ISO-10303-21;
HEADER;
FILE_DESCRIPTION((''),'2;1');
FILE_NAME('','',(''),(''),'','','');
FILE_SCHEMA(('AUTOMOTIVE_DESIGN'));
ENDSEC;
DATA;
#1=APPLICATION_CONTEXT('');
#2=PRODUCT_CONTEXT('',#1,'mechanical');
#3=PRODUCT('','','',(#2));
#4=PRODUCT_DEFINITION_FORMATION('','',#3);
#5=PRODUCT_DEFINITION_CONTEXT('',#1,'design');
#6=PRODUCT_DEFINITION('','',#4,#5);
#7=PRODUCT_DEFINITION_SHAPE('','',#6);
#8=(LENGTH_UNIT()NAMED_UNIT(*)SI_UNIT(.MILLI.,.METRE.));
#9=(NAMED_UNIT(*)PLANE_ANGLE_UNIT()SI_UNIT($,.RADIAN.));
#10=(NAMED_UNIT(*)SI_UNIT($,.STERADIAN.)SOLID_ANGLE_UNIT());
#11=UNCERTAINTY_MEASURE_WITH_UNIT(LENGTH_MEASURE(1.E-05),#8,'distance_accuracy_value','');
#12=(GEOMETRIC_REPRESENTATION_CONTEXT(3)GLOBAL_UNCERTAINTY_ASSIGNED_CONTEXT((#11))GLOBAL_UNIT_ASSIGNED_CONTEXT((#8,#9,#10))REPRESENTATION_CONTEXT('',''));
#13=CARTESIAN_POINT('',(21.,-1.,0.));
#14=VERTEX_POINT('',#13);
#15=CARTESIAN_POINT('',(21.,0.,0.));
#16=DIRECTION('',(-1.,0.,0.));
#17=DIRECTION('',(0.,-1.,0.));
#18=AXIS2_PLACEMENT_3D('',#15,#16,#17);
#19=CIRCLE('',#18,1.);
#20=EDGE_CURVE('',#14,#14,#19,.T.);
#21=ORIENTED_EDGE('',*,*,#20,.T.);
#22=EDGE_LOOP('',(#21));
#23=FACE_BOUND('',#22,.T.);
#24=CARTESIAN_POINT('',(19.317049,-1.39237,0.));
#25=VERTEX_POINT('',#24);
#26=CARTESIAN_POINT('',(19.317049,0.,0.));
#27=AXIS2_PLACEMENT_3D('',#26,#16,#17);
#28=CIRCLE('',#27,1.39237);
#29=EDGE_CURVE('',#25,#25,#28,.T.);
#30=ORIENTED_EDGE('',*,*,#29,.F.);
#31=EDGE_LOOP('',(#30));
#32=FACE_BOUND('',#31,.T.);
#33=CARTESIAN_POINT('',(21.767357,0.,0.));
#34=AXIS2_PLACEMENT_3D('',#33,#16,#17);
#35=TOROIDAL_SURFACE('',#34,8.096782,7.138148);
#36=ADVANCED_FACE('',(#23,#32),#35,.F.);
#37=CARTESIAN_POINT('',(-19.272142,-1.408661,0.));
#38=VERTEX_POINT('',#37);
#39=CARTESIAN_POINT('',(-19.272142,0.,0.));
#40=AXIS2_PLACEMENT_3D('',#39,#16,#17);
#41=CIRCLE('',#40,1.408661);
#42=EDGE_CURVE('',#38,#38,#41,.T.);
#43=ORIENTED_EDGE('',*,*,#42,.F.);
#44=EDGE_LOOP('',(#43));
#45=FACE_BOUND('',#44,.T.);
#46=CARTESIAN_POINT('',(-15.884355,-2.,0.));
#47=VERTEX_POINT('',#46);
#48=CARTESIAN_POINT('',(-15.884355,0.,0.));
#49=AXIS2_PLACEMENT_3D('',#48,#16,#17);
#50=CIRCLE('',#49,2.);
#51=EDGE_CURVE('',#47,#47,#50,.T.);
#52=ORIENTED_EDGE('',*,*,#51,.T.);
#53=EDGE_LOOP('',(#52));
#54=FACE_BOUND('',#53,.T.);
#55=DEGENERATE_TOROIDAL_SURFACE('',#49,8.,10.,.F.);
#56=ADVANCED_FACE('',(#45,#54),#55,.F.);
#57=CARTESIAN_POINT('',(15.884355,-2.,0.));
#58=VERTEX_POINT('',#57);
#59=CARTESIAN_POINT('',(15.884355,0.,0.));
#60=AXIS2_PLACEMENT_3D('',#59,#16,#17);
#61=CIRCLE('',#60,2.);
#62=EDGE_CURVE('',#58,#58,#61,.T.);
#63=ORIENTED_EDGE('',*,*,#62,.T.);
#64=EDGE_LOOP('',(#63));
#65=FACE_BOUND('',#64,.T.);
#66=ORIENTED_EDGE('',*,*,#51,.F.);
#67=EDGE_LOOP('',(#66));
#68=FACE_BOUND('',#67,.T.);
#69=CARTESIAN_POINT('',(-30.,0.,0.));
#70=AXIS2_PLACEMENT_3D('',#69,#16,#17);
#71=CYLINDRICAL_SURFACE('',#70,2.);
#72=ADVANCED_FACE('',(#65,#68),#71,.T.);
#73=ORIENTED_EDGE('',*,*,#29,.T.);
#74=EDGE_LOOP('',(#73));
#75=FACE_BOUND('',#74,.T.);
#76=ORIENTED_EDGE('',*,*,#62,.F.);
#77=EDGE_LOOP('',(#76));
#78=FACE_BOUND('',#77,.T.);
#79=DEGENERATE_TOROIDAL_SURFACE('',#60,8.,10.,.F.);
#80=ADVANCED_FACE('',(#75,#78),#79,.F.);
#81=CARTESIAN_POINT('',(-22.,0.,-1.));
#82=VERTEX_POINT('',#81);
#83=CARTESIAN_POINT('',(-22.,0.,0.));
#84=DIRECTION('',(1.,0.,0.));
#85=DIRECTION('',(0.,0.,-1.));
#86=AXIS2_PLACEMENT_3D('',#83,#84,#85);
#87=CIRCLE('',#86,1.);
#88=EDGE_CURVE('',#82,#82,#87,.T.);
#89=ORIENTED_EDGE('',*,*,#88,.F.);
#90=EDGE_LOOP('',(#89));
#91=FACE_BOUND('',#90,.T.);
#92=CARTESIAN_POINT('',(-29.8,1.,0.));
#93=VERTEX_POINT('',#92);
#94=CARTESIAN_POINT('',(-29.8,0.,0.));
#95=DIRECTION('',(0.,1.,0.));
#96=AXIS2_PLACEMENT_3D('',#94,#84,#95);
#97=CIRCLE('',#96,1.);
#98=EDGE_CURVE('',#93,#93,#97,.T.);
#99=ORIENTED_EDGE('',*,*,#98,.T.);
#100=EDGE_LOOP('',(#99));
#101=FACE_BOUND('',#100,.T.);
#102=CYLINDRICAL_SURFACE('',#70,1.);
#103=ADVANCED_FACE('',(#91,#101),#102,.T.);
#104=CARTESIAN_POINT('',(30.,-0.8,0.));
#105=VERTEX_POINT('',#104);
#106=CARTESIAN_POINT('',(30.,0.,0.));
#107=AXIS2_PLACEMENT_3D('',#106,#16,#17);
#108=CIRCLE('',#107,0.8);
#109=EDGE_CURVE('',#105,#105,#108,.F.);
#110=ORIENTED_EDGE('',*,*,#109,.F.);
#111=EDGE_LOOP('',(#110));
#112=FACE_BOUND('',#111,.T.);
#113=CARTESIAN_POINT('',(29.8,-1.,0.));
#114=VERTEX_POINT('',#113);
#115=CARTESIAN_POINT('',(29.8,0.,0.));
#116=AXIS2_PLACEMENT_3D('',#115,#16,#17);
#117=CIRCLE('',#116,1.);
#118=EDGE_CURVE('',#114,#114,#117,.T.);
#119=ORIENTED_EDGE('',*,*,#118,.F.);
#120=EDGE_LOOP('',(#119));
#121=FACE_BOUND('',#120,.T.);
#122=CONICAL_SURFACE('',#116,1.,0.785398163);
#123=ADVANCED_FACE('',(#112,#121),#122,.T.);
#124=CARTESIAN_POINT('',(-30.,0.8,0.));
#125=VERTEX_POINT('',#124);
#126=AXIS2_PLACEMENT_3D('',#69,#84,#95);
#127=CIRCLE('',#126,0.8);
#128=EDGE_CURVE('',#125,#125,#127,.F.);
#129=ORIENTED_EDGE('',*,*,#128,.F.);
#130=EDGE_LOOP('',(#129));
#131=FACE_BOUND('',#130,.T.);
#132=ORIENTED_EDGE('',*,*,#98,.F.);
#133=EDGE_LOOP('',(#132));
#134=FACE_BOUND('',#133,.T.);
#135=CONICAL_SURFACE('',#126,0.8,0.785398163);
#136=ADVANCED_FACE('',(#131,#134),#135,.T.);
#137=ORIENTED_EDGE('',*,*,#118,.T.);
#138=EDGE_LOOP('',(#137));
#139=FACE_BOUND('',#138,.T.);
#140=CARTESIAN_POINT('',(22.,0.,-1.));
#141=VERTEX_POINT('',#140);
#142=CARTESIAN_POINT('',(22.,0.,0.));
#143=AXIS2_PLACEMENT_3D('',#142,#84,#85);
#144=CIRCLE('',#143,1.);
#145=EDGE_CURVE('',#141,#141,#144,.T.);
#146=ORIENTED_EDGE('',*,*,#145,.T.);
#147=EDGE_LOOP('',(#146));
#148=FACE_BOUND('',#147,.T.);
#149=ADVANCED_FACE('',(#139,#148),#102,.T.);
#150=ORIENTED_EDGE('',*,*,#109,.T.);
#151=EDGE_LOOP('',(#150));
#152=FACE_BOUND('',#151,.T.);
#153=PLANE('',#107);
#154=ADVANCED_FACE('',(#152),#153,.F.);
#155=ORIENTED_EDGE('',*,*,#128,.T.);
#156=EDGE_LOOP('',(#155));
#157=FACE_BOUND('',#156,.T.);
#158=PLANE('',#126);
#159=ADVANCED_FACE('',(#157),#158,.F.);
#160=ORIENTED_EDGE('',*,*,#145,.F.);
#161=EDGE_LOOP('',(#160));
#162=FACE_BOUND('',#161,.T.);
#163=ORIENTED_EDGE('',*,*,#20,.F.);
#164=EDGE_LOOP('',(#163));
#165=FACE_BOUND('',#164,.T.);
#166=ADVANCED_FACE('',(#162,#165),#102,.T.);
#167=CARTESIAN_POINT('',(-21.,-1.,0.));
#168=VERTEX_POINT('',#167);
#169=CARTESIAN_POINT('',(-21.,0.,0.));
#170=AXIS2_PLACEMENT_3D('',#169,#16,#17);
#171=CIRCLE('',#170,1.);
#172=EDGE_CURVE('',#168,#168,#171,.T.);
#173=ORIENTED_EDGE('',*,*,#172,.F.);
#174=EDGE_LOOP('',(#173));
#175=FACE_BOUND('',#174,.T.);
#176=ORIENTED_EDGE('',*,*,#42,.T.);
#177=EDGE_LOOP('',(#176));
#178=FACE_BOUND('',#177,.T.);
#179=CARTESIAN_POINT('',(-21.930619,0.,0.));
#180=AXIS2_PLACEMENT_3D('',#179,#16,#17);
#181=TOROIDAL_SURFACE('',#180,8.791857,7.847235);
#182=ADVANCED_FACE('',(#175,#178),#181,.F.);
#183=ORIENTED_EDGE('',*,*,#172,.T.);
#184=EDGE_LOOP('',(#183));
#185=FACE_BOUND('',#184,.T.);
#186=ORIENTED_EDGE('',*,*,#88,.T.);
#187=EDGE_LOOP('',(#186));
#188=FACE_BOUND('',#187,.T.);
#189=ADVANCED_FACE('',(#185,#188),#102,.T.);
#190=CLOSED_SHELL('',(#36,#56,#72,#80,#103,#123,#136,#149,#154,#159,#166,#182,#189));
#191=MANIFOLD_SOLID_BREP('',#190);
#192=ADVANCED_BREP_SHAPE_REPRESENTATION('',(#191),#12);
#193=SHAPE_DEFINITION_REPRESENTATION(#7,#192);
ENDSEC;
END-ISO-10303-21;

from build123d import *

# Parameters (mm, degrees)
CHAMFER1_SIZE = 0.2


with BuildPart() as part:
    # Sketch1 → Revolve1 (revolve)
    with BuildSketch(Plane.XY, mode=Mode.PRIVATE) as revolve1_sk:
        with BuildLine():
            Line((-30, 0), (30, 0))
            Line((30, 0), (30, 1))
            Line((30, 1), (21, 1))
            ThreePointArc((21, 1), (20.146606905, 1.145068441), (19.317048796, 1.392369816))
            ThreePointArc((19.317048796, 1.392369816), (17.627383867, 1.846920792), (15.884354631, 2))
            Line((15.884354631, 2), (-15.884354631, 2))
            ThreePointArc((-15.884354631, 2), (-17.60385956, 1.851055923), (-19.272142474, 1.40866056))
            ThreePointArc((-19.272142474, 1.40866056), (-20.124476001, 1.155304466), (-21, 1))
            Line((-21, 1), (-30, 1))
            Line((-30, 1), (-30, 0))
        make_face()
    revolve(revolve1_sk.sketch.rotate(Axis((-30, 0, 0), (1, 0, 0)), 180), axis=Axis((-30, 0, 0), (1, 0, 0)))

    # Chamfer1
    chamfer1_edges = [part.edges().sort_by_distance(p)[0] for p in [
        (30, 1, 0),
        (-30, 1, 0),
    ]]
    chamfer(chamfer1_edges, length=CHAMFER1_SIZE)


solid = part.part
